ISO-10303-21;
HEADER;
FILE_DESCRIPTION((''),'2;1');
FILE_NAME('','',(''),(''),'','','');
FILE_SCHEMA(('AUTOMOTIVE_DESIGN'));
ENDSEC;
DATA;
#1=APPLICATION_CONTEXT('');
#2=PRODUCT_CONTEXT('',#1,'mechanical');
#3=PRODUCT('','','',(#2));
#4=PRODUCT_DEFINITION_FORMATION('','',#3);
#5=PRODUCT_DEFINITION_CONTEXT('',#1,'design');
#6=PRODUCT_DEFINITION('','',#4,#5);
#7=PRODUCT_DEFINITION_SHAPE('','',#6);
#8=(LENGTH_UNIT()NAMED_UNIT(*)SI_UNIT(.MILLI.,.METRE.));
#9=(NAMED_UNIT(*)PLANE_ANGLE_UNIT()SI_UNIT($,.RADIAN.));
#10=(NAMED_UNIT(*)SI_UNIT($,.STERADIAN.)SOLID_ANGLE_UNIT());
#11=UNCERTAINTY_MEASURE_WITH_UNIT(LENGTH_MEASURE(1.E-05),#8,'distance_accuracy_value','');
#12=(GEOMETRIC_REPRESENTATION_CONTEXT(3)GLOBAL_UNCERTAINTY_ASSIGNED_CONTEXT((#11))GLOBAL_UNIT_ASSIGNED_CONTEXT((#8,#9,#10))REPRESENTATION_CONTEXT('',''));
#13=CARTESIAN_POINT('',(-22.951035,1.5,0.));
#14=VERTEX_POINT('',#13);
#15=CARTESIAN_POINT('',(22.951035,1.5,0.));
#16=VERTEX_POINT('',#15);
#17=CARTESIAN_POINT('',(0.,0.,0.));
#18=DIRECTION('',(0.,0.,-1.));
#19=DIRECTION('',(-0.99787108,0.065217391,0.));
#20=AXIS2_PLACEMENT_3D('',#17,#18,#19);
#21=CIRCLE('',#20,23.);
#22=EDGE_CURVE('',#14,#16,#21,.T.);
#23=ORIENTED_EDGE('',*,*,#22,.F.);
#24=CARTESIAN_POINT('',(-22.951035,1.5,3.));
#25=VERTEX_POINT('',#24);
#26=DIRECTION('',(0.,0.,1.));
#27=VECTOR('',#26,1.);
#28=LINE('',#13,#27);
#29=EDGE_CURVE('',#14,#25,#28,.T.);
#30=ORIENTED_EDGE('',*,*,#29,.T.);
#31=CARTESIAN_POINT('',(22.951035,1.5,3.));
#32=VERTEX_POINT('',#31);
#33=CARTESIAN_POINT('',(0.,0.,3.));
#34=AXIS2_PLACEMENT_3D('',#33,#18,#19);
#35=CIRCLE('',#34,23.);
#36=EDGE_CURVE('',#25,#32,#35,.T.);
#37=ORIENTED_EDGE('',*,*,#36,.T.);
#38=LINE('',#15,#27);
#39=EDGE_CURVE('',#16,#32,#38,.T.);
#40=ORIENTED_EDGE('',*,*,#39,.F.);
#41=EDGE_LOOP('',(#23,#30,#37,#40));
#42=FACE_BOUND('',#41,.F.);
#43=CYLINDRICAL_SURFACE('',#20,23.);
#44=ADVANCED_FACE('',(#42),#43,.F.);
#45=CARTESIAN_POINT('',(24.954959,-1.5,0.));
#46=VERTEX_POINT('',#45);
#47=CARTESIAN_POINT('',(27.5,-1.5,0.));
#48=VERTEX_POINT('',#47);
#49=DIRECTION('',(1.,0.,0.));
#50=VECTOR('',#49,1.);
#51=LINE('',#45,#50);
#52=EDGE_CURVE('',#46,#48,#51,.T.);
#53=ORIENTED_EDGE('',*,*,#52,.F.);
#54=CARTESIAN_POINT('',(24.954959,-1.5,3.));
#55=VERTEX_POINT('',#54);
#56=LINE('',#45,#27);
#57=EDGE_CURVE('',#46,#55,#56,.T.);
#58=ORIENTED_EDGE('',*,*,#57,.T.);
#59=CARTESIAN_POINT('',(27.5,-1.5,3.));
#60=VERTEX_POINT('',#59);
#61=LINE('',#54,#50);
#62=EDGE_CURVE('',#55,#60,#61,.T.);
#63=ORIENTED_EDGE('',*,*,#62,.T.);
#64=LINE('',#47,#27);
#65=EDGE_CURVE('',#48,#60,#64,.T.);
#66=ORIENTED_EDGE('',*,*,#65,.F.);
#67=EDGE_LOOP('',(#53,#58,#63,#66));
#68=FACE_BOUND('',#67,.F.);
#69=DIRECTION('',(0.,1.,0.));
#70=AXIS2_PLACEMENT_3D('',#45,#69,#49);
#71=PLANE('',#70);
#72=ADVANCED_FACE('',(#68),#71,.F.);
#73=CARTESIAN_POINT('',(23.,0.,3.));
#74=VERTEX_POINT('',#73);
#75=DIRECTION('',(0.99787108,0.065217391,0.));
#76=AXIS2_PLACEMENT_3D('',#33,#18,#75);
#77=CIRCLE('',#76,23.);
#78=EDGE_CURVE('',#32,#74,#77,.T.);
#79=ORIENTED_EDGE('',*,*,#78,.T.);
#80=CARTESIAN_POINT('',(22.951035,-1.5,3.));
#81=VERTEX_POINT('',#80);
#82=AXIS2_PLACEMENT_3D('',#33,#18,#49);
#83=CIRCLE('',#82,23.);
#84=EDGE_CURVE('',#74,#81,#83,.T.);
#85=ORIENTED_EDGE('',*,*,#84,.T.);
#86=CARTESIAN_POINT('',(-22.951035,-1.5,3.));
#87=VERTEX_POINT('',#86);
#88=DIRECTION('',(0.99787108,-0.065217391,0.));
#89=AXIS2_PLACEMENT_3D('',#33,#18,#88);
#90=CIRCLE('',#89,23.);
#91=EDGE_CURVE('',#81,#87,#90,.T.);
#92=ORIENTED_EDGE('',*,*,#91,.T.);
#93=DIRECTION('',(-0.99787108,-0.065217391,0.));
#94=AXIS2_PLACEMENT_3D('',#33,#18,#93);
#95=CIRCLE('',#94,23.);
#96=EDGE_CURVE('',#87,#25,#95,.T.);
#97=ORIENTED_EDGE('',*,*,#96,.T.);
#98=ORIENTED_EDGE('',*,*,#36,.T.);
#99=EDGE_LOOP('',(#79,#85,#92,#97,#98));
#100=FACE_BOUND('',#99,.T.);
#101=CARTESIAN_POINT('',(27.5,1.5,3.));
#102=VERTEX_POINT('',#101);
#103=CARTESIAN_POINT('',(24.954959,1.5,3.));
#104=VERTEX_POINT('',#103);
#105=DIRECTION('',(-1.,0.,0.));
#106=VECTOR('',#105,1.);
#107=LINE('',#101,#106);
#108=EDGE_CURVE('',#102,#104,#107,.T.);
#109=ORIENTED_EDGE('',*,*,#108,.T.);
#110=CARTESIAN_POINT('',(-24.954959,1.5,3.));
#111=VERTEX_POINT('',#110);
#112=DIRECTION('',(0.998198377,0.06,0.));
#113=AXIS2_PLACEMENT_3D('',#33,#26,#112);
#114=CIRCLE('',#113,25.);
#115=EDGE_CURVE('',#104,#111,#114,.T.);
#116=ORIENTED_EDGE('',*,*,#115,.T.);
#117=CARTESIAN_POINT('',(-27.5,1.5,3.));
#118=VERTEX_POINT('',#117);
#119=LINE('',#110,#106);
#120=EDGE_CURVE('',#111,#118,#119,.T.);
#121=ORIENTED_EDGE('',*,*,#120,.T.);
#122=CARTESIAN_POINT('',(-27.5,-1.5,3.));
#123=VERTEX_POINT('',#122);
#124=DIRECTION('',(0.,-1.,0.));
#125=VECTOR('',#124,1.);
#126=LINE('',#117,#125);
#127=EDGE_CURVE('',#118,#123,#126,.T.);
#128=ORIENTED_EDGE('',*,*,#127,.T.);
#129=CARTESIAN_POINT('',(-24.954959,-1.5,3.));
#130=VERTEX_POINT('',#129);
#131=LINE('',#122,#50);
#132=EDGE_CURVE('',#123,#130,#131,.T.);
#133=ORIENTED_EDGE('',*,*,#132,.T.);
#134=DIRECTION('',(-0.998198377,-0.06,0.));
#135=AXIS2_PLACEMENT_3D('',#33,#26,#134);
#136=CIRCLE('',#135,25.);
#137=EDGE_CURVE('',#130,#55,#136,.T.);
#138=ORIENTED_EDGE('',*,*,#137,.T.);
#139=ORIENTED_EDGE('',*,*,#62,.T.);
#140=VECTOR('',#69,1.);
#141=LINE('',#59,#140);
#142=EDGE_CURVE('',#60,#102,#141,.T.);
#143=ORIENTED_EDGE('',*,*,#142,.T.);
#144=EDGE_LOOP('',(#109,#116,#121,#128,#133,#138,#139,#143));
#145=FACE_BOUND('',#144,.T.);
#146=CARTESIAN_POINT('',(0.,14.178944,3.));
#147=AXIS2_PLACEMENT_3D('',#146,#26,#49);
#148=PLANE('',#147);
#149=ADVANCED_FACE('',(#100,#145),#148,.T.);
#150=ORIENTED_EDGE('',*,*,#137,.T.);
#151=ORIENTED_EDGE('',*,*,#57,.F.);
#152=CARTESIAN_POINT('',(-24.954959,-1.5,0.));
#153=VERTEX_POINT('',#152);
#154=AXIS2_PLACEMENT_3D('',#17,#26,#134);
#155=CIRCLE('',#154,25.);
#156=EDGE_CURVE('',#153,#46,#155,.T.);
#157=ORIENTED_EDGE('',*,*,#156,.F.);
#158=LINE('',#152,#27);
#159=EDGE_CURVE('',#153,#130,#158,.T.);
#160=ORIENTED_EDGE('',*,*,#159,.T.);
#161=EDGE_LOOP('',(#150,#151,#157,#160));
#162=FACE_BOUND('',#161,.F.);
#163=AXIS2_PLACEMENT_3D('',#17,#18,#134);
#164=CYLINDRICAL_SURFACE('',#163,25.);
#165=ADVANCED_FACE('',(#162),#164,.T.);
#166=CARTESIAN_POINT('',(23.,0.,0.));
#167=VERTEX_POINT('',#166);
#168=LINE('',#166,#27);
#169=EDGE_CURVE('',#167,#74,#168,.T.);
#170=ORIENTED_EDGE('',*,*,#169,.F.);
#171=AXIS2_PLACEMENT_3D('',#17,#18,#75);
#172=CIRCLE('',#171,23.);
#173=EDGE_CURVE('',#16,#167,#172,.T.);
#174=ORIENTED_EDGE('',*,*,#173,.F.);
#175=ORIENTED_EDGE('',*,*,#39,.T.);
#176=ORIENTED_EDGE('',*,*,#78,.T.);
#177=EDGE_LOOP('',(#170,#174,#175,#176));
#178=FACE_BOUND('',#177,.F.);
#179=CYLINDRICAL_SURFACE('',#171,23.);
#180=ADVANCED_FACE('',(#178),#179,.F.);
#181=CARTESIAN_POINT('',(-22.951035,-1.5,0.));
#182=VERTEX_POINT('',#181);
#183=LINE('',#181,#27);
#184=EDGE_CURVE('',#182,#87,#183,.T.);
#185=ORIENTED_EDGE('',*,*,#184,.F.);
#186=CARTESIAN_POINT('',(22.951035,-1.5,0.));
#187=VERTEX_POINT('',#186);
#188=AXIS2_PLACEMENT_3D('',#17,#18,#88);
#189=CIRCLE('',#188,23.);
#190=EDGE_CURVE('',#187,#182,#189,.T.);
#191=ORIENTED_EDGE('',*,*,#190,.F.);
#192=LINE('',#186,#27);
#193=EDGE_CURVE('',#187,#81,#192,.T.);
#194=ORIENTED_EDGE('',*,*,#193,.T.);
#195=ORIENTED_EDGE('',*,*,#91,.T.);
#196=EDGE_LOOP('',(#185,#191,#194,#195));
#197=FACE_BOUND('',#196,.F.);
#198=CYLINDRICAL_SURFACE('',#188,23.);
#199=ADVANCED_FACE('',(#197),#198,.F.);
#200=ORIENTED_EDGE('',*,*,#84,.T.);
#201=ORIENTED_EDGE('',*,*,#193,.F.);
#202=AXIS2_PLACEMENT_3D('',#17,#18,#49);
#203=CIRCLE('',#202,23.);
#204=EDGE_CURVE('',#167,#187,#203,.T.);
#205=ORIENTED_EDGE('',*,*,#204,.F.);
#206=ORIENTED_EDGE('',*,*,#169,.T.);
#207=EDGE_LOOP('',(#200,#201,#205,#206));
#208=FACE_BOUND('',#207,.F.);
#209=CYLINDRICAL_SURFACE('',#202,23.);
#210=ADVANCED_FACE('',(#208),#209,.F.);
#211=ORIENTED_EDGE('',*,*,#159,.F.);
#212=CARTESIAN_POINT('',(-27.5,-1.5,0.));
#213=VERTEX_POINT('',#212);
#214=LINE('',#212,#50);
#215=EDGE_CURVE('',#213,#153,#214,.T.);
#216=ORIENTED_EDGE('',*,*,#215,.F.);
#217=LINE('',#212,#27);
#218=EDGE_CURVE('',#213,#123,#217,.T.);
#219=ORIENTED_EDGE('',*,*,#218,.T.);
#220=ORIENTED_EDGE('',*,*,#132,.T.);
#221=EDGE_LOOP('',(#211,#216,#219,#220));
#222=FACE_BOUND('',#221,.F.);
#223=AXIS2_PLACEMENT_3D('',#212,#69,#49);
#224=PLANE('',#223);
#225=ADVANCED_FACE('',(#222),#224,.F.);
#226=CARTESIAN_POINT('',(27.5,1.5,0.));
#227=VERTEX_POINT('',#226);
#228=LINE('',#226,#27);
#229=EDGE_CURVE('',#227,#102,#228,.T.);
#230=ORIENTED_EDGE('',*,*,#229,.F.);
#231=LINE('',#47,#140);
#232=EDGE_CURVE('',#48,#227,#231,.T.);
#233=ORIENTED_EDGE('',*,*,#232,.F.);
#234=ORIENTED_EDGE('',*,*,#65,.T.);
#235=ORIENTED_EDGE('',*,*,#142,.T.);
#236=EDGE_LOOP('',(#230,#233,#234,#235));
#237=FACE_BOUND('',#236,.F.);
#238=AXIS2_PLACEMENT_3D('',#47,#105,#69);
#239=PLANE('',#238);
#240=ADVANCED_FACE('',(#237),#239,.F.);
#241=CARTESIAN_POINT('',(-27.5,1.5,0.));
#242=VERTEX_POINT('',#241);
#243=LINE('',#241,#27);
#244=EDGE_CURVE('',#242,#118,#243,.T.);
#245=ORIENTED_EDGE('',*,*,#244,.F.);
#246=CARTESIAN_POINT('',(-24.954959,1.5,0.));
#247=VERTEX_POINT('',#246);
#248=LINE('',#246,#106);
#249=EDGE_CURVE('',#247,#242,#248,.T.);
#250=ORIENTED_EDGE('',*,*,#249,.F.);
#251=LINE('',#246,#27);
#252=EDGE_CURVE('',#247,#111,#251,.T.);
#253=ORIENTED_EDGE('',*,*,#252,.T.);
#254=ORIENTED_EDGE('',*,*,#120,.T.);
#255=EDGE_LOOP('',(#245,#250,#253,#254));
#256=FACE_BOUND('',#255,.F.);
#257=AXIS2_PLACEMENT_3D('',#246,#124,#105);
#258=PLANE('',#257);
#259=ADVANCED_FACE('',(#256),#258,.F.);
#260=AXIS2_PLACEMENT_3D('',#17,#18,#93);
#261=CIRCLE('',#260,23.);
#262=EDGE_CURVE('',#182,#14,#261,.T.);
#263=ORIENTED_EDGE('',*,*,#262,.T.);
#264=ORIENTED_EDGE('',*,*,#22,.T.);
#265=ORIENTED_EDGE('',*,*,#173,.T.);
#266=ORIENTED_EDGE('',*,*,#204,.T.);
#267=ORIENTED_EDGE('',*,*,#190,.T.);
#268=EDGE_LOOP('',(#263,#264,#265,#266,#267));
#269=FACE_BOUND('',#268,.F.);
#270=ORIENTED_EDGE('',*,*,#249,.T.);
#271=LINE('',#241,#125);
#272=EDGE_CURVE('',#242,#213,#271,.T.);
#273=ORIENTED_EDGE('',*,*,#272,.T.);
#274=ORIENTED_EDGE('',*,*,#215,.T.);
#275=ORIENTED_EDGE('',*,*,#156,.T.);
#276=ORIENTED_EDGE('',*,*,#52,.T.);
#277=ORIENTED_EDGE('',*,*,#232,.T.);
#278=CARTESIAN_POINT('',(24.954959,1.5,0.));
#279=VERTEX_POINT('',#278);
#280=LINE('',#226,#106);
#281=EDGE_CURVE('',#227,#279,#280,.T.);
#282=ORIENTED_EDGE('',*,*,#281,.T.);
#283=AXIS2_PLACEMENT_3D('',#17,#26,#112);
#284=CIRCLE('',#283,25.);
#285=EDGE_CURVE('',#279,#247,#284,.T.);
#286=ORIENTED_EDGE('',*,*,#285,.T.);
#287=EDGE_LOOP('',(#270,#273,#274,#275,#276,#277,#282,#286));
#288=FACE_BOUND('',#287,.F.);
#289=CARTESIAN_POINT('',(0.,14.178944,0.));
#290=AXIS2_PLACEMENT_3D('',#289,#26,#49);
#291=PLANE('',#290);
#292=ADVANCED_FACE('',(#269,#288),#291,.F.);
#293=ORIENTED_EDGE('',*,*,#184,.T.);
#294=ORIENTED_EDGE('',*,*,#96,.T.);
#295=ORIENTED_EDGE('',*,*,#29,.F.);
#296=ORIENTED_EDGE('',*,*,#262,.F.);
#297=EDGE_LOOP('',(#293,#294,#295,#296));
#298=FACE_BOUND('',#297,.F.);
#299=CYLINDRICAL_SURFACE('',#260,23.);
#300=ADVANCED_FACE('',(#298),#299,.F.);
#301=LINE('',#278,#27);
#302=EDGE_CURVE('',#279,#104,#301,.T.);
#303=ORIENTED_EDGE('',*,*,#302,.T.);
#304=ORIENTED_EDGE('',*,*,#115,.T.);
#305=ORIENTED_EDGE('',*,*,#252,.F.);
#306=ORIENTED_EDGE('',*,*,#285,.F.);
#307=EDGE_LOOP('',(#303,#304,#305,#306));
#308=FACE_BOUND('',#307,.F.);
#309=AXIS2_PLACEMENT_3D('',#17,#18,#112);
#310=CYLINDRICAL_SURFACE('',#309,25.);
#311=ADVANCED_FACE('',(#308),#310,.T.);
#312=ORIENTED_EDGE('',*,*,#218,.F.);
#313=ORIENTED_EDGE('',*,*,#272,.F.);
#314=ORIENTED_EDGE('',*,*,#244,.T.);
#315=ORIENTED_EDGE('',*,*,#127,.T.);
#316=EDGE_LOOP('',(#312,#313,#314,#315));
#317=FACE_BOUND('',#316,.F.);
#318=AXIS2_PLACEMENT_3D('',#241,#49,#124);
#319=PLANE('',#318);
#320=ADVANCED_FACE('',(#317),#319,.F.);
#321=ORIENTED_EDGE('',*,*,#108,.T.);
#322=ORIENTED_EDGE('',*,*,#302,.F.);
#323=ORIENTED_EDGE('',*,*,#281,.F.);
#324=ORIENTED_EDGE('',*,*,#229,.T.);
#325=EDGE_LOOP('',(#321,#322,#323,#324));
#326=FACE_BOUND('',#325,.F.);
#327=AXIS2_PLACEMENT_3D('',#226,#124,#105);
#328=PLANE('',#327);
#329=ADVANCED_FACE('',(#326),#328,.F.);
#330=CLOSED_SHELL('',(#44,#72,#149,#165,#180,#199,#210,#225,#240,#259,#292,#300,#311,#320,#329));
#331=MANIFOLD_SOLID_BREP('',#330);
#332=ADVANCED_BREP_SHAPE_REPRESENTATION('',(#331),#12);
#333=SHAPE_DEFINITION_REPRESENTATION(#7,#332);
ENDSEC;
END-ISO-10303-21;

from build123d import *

# Parameters (mm, degrees)
F1_DEPTH = 3


with BuildPart() as f1:
    # F0 (on Top) → F1 (new body)
    with BuildSketch(Plane.XY):
        with BuildLine():
            Line((22.9510348351, 1.5), (24.9549594269, 1.5))
            ThreePointArc((24.9549594269, 1.5), (0, 25), (-24.9549594269, 1.5))
            Line((-24.9549594269, 1.5), (-22.9510348351, 1.5))
            ThreePointArc((-22.9510348351, 1.5), (0, 23), (22.9510348351, 1.5))
        make_face()
        with BuildLine():
            Line((-22.9510348351, 1.5), (-24.9549594269, 1.5))
            ThreePointArc((-24.9549594269, 1.5), (-25, 0), (-24.9549594269, -1.5))
            Line((-24.9549594269, -1.5), (-22.9510348351, -1.5))
            ThreePointArc((-22.9510348351, -1.5), (-23, 0), (-22.9510348351, 1.5))
        make_face()
        with BuildLine():
            ThreePointArc((-24.9549594269, -1.5), (0, -25), (24.9549594269, -1.5))
            Line((24.9549594269, -1.5), (22.9510348351, -1.5))
            ThreePointArc((22.9510348351, -1.5), (0, -23), (-22.9510348351, -1.5))
            Line((-22.9510348351, -1.5), (-24.9549594269, -1.5))
        make_face()
        with BuildLine():
            ThreePointArc((24.9549594269, -1.5), (24.9887373198, -0.7503380327), (25, 0))
            ThreePointArc((25, 0), (24.9887373198, 0.7503380327), (24.9549594269, 1.5))
            Line((24.9549594269, 1.5), (22.9510348351, 1.5))
            ThreePointArc((22.9510348351, 1.5), (22.9877554494, 0.7503994915), (23, 0))
            ThreePointArc((23, 0), (22.9877554494, -0.7503994915), (22.9510348351, -1.5))
            Line((22.9510348351, -1.5), (24.9549594269, -1.5))
        make_face()
        with BuildLine():
            ThreePointArc((24.9549594269, 1.5), (24.9887373198, 0.7503380327), (25, 0))
            ThreePointArc((25, 0), (24.9887373198, -0.7503380327), (24.9549594269, -1.5))
            Line((24.9549594269, -1.5), (27.5, -1.5))
            Line((27.5, -1.5), (27.5, 1.5))
            Line((27.5, 1.5), (24.9549594269, 1.5))
        make_face()
        with BuildLine():
            ThreePointArc((-24.9549594269, -1.5), (-25, 0), (-24.9549594269, 1.5))
            Line((-24.9549594269, 1.5), (-27.5, 1.5))
            Line((-27.5, 1.5), (-27.5, -1.5))
            Line((-27.5, -1.5), (-24.9549594269, -1.5))
        make_face()
    extrude(amount=F1_DEPTH)


solid = f1.part
